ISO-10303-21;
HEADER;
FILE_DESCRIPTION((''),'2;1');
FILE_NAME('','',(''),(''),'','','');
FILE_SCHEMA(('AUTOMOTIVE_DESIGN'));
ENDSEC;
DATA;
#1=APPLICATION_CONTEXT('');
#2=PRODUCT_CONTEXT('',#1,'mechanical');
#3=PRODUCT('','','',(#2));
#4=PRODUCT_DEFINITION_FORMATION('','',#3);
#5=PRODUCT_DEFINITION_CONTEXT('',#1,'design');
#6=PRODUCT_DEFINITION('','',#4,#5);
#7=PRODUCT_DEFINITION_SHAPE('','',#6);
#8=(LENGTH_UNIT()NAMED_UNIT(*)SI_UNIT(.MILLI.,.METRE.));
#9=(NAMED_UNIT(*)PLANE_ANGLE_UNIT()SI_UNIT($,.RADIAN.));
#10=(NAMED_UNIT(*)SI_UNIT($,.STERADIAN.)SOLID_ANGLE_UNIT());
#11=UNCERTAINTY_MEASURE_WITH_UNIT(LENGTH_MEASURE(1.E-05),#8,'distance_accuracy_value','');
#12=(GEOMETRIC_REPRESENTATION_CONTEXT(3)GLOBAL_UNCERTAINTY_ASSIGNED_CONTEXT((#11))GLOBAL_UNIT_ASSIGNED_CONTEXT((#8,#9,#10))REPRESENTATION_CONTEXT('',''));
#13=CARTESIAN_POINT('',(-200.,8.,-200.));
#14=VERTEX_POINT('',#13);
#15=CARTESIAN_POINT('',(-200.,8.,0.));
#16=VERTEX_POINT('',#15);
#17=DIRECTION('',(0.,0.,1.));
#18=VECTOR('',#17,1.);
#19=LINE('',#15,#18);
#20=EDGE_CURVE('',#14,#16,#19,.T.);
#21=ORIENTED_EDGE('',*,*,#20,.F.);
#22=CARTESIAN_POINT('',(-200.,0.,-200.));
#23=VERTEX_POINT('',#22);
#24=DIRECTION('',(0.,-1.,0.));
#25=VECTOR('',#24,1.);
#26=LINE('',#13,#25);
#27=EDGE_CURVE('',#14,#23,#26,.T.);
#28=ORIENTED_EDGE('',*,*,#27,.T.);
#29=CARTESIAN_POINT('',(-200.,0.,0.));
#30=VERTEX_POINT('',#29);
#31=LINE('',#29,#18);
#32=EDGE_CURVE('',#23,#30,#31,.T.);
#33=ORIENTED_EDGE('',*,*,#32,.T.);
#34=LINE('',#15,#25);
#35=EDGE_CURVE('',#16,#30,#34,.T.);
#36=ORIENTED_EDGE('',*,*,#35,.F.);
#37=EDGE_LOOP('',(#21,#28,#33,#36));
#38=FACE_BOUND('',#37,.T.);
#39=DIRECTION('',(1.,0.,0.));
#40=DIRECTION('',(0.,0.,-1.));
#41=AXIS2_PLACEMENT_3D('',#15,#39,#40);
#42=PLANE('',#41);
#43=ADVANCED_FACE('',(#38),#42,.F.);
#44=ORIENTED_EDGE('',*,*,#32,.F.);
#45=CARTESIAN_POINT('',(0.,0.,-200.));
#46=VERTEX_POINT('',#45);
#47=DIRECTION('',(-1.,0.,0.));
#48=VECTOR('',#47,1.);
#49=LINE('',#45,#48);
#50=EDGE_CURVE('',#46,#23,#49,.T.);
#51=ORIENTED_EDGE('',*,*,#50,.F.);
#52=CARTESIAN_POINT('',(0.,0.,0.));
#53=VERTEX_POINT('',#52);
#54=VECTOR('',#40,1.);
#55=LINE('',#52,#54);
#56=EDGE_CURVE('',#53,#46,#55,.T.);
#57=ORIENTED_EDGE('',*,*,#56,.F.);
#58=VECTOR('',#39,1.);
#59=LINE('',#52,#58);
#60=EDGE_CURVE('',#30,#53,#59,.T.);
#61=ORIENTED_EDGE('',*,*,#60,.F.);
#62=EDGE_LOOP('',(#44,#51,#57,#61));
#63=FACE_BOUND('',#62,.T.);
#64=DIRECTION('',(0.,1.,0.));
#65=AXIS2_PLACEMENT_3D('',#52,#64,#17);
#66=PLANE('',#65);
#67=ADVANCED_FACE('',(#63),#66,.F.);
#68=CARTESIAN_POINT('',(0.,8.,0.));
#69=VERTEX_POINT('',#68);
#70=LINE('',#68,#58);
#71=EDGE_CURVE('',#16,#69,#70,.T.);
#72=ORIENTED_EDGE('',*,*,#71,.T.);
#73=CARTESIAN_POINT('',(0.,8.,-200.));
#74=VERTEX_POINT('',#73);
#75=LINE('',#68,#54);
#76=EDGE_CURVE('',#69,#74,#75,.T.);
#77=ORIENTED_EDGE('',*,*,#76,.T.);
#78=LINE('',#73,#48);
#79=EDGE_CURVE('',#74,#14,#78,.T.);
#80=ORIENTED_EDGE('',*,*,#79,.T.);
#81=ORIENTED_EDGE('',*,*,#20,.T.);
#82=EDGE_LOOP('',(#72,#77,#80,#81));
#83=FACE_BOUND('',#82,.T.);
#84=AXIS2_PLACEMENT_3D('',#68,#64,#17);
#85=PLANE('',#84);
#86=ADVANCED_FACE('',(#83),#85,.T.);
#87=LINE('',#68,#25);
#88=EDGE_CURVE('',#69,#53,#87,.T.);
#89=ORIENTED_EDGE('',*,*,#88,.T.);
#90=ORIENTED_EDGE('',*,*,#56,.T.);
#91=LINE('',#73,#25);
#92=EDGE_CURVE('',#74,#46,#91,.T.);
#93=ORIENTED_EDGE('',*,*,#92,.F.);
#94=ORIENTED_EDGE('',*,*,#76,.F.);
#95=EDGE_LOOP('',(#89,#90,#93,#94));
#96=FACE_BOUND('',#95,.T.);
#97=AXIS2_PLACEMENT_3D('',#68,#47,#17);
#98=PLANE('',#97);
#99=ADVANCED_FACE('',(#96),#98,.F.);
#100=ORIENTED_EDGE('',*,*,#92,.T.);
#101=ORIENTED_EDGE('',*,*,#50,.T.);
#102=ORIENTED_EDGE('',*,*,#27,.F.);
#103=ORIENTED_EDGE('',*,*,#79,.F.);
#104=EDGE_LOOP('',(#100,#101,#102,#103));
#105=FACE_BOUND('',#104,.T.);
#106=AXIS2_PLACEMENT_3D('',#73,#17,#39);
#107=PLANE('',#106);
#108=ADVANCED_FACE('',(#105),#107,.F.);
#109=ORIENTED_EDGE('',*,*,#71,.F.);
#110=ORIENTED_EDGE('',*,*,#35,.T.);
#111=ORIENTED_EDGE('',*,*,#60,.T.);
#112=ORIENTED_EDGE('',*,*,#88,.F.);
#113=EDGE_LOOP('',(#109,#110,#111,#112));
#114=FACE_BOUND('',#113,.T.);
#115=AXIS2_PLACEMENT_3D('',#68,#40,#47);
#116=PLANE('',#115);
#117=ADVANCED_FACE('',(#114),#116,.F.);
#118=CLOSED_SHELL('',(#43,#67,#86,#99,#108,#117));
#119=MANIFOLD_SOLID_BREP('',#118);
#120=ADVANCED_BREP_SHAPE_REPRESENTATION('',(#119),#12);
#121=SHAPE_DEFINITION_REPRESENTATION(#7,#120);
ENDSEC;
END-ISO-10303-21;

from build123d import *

# Parameters (mm, degrees)
SKETCH_1_W      = 200
SKETCH_1_H      = 200
EXTRUDE_1_DEPTH = 8


with BuildPart() as part:
    # 草图1 → 凸台-拉伸1 (new body)
    with BuildSketch(Plane(origin=(0, 0, 0), x_dir=(1, 0, 0), z_dir=(0, 1, 0))):
        with Locations((-100, 100)):
            Rectangle(SKETCH_1_W, SKETCH_1_H)
    extrude(amount=EXTRUDE_1_DEPTH)


solid = part.part
